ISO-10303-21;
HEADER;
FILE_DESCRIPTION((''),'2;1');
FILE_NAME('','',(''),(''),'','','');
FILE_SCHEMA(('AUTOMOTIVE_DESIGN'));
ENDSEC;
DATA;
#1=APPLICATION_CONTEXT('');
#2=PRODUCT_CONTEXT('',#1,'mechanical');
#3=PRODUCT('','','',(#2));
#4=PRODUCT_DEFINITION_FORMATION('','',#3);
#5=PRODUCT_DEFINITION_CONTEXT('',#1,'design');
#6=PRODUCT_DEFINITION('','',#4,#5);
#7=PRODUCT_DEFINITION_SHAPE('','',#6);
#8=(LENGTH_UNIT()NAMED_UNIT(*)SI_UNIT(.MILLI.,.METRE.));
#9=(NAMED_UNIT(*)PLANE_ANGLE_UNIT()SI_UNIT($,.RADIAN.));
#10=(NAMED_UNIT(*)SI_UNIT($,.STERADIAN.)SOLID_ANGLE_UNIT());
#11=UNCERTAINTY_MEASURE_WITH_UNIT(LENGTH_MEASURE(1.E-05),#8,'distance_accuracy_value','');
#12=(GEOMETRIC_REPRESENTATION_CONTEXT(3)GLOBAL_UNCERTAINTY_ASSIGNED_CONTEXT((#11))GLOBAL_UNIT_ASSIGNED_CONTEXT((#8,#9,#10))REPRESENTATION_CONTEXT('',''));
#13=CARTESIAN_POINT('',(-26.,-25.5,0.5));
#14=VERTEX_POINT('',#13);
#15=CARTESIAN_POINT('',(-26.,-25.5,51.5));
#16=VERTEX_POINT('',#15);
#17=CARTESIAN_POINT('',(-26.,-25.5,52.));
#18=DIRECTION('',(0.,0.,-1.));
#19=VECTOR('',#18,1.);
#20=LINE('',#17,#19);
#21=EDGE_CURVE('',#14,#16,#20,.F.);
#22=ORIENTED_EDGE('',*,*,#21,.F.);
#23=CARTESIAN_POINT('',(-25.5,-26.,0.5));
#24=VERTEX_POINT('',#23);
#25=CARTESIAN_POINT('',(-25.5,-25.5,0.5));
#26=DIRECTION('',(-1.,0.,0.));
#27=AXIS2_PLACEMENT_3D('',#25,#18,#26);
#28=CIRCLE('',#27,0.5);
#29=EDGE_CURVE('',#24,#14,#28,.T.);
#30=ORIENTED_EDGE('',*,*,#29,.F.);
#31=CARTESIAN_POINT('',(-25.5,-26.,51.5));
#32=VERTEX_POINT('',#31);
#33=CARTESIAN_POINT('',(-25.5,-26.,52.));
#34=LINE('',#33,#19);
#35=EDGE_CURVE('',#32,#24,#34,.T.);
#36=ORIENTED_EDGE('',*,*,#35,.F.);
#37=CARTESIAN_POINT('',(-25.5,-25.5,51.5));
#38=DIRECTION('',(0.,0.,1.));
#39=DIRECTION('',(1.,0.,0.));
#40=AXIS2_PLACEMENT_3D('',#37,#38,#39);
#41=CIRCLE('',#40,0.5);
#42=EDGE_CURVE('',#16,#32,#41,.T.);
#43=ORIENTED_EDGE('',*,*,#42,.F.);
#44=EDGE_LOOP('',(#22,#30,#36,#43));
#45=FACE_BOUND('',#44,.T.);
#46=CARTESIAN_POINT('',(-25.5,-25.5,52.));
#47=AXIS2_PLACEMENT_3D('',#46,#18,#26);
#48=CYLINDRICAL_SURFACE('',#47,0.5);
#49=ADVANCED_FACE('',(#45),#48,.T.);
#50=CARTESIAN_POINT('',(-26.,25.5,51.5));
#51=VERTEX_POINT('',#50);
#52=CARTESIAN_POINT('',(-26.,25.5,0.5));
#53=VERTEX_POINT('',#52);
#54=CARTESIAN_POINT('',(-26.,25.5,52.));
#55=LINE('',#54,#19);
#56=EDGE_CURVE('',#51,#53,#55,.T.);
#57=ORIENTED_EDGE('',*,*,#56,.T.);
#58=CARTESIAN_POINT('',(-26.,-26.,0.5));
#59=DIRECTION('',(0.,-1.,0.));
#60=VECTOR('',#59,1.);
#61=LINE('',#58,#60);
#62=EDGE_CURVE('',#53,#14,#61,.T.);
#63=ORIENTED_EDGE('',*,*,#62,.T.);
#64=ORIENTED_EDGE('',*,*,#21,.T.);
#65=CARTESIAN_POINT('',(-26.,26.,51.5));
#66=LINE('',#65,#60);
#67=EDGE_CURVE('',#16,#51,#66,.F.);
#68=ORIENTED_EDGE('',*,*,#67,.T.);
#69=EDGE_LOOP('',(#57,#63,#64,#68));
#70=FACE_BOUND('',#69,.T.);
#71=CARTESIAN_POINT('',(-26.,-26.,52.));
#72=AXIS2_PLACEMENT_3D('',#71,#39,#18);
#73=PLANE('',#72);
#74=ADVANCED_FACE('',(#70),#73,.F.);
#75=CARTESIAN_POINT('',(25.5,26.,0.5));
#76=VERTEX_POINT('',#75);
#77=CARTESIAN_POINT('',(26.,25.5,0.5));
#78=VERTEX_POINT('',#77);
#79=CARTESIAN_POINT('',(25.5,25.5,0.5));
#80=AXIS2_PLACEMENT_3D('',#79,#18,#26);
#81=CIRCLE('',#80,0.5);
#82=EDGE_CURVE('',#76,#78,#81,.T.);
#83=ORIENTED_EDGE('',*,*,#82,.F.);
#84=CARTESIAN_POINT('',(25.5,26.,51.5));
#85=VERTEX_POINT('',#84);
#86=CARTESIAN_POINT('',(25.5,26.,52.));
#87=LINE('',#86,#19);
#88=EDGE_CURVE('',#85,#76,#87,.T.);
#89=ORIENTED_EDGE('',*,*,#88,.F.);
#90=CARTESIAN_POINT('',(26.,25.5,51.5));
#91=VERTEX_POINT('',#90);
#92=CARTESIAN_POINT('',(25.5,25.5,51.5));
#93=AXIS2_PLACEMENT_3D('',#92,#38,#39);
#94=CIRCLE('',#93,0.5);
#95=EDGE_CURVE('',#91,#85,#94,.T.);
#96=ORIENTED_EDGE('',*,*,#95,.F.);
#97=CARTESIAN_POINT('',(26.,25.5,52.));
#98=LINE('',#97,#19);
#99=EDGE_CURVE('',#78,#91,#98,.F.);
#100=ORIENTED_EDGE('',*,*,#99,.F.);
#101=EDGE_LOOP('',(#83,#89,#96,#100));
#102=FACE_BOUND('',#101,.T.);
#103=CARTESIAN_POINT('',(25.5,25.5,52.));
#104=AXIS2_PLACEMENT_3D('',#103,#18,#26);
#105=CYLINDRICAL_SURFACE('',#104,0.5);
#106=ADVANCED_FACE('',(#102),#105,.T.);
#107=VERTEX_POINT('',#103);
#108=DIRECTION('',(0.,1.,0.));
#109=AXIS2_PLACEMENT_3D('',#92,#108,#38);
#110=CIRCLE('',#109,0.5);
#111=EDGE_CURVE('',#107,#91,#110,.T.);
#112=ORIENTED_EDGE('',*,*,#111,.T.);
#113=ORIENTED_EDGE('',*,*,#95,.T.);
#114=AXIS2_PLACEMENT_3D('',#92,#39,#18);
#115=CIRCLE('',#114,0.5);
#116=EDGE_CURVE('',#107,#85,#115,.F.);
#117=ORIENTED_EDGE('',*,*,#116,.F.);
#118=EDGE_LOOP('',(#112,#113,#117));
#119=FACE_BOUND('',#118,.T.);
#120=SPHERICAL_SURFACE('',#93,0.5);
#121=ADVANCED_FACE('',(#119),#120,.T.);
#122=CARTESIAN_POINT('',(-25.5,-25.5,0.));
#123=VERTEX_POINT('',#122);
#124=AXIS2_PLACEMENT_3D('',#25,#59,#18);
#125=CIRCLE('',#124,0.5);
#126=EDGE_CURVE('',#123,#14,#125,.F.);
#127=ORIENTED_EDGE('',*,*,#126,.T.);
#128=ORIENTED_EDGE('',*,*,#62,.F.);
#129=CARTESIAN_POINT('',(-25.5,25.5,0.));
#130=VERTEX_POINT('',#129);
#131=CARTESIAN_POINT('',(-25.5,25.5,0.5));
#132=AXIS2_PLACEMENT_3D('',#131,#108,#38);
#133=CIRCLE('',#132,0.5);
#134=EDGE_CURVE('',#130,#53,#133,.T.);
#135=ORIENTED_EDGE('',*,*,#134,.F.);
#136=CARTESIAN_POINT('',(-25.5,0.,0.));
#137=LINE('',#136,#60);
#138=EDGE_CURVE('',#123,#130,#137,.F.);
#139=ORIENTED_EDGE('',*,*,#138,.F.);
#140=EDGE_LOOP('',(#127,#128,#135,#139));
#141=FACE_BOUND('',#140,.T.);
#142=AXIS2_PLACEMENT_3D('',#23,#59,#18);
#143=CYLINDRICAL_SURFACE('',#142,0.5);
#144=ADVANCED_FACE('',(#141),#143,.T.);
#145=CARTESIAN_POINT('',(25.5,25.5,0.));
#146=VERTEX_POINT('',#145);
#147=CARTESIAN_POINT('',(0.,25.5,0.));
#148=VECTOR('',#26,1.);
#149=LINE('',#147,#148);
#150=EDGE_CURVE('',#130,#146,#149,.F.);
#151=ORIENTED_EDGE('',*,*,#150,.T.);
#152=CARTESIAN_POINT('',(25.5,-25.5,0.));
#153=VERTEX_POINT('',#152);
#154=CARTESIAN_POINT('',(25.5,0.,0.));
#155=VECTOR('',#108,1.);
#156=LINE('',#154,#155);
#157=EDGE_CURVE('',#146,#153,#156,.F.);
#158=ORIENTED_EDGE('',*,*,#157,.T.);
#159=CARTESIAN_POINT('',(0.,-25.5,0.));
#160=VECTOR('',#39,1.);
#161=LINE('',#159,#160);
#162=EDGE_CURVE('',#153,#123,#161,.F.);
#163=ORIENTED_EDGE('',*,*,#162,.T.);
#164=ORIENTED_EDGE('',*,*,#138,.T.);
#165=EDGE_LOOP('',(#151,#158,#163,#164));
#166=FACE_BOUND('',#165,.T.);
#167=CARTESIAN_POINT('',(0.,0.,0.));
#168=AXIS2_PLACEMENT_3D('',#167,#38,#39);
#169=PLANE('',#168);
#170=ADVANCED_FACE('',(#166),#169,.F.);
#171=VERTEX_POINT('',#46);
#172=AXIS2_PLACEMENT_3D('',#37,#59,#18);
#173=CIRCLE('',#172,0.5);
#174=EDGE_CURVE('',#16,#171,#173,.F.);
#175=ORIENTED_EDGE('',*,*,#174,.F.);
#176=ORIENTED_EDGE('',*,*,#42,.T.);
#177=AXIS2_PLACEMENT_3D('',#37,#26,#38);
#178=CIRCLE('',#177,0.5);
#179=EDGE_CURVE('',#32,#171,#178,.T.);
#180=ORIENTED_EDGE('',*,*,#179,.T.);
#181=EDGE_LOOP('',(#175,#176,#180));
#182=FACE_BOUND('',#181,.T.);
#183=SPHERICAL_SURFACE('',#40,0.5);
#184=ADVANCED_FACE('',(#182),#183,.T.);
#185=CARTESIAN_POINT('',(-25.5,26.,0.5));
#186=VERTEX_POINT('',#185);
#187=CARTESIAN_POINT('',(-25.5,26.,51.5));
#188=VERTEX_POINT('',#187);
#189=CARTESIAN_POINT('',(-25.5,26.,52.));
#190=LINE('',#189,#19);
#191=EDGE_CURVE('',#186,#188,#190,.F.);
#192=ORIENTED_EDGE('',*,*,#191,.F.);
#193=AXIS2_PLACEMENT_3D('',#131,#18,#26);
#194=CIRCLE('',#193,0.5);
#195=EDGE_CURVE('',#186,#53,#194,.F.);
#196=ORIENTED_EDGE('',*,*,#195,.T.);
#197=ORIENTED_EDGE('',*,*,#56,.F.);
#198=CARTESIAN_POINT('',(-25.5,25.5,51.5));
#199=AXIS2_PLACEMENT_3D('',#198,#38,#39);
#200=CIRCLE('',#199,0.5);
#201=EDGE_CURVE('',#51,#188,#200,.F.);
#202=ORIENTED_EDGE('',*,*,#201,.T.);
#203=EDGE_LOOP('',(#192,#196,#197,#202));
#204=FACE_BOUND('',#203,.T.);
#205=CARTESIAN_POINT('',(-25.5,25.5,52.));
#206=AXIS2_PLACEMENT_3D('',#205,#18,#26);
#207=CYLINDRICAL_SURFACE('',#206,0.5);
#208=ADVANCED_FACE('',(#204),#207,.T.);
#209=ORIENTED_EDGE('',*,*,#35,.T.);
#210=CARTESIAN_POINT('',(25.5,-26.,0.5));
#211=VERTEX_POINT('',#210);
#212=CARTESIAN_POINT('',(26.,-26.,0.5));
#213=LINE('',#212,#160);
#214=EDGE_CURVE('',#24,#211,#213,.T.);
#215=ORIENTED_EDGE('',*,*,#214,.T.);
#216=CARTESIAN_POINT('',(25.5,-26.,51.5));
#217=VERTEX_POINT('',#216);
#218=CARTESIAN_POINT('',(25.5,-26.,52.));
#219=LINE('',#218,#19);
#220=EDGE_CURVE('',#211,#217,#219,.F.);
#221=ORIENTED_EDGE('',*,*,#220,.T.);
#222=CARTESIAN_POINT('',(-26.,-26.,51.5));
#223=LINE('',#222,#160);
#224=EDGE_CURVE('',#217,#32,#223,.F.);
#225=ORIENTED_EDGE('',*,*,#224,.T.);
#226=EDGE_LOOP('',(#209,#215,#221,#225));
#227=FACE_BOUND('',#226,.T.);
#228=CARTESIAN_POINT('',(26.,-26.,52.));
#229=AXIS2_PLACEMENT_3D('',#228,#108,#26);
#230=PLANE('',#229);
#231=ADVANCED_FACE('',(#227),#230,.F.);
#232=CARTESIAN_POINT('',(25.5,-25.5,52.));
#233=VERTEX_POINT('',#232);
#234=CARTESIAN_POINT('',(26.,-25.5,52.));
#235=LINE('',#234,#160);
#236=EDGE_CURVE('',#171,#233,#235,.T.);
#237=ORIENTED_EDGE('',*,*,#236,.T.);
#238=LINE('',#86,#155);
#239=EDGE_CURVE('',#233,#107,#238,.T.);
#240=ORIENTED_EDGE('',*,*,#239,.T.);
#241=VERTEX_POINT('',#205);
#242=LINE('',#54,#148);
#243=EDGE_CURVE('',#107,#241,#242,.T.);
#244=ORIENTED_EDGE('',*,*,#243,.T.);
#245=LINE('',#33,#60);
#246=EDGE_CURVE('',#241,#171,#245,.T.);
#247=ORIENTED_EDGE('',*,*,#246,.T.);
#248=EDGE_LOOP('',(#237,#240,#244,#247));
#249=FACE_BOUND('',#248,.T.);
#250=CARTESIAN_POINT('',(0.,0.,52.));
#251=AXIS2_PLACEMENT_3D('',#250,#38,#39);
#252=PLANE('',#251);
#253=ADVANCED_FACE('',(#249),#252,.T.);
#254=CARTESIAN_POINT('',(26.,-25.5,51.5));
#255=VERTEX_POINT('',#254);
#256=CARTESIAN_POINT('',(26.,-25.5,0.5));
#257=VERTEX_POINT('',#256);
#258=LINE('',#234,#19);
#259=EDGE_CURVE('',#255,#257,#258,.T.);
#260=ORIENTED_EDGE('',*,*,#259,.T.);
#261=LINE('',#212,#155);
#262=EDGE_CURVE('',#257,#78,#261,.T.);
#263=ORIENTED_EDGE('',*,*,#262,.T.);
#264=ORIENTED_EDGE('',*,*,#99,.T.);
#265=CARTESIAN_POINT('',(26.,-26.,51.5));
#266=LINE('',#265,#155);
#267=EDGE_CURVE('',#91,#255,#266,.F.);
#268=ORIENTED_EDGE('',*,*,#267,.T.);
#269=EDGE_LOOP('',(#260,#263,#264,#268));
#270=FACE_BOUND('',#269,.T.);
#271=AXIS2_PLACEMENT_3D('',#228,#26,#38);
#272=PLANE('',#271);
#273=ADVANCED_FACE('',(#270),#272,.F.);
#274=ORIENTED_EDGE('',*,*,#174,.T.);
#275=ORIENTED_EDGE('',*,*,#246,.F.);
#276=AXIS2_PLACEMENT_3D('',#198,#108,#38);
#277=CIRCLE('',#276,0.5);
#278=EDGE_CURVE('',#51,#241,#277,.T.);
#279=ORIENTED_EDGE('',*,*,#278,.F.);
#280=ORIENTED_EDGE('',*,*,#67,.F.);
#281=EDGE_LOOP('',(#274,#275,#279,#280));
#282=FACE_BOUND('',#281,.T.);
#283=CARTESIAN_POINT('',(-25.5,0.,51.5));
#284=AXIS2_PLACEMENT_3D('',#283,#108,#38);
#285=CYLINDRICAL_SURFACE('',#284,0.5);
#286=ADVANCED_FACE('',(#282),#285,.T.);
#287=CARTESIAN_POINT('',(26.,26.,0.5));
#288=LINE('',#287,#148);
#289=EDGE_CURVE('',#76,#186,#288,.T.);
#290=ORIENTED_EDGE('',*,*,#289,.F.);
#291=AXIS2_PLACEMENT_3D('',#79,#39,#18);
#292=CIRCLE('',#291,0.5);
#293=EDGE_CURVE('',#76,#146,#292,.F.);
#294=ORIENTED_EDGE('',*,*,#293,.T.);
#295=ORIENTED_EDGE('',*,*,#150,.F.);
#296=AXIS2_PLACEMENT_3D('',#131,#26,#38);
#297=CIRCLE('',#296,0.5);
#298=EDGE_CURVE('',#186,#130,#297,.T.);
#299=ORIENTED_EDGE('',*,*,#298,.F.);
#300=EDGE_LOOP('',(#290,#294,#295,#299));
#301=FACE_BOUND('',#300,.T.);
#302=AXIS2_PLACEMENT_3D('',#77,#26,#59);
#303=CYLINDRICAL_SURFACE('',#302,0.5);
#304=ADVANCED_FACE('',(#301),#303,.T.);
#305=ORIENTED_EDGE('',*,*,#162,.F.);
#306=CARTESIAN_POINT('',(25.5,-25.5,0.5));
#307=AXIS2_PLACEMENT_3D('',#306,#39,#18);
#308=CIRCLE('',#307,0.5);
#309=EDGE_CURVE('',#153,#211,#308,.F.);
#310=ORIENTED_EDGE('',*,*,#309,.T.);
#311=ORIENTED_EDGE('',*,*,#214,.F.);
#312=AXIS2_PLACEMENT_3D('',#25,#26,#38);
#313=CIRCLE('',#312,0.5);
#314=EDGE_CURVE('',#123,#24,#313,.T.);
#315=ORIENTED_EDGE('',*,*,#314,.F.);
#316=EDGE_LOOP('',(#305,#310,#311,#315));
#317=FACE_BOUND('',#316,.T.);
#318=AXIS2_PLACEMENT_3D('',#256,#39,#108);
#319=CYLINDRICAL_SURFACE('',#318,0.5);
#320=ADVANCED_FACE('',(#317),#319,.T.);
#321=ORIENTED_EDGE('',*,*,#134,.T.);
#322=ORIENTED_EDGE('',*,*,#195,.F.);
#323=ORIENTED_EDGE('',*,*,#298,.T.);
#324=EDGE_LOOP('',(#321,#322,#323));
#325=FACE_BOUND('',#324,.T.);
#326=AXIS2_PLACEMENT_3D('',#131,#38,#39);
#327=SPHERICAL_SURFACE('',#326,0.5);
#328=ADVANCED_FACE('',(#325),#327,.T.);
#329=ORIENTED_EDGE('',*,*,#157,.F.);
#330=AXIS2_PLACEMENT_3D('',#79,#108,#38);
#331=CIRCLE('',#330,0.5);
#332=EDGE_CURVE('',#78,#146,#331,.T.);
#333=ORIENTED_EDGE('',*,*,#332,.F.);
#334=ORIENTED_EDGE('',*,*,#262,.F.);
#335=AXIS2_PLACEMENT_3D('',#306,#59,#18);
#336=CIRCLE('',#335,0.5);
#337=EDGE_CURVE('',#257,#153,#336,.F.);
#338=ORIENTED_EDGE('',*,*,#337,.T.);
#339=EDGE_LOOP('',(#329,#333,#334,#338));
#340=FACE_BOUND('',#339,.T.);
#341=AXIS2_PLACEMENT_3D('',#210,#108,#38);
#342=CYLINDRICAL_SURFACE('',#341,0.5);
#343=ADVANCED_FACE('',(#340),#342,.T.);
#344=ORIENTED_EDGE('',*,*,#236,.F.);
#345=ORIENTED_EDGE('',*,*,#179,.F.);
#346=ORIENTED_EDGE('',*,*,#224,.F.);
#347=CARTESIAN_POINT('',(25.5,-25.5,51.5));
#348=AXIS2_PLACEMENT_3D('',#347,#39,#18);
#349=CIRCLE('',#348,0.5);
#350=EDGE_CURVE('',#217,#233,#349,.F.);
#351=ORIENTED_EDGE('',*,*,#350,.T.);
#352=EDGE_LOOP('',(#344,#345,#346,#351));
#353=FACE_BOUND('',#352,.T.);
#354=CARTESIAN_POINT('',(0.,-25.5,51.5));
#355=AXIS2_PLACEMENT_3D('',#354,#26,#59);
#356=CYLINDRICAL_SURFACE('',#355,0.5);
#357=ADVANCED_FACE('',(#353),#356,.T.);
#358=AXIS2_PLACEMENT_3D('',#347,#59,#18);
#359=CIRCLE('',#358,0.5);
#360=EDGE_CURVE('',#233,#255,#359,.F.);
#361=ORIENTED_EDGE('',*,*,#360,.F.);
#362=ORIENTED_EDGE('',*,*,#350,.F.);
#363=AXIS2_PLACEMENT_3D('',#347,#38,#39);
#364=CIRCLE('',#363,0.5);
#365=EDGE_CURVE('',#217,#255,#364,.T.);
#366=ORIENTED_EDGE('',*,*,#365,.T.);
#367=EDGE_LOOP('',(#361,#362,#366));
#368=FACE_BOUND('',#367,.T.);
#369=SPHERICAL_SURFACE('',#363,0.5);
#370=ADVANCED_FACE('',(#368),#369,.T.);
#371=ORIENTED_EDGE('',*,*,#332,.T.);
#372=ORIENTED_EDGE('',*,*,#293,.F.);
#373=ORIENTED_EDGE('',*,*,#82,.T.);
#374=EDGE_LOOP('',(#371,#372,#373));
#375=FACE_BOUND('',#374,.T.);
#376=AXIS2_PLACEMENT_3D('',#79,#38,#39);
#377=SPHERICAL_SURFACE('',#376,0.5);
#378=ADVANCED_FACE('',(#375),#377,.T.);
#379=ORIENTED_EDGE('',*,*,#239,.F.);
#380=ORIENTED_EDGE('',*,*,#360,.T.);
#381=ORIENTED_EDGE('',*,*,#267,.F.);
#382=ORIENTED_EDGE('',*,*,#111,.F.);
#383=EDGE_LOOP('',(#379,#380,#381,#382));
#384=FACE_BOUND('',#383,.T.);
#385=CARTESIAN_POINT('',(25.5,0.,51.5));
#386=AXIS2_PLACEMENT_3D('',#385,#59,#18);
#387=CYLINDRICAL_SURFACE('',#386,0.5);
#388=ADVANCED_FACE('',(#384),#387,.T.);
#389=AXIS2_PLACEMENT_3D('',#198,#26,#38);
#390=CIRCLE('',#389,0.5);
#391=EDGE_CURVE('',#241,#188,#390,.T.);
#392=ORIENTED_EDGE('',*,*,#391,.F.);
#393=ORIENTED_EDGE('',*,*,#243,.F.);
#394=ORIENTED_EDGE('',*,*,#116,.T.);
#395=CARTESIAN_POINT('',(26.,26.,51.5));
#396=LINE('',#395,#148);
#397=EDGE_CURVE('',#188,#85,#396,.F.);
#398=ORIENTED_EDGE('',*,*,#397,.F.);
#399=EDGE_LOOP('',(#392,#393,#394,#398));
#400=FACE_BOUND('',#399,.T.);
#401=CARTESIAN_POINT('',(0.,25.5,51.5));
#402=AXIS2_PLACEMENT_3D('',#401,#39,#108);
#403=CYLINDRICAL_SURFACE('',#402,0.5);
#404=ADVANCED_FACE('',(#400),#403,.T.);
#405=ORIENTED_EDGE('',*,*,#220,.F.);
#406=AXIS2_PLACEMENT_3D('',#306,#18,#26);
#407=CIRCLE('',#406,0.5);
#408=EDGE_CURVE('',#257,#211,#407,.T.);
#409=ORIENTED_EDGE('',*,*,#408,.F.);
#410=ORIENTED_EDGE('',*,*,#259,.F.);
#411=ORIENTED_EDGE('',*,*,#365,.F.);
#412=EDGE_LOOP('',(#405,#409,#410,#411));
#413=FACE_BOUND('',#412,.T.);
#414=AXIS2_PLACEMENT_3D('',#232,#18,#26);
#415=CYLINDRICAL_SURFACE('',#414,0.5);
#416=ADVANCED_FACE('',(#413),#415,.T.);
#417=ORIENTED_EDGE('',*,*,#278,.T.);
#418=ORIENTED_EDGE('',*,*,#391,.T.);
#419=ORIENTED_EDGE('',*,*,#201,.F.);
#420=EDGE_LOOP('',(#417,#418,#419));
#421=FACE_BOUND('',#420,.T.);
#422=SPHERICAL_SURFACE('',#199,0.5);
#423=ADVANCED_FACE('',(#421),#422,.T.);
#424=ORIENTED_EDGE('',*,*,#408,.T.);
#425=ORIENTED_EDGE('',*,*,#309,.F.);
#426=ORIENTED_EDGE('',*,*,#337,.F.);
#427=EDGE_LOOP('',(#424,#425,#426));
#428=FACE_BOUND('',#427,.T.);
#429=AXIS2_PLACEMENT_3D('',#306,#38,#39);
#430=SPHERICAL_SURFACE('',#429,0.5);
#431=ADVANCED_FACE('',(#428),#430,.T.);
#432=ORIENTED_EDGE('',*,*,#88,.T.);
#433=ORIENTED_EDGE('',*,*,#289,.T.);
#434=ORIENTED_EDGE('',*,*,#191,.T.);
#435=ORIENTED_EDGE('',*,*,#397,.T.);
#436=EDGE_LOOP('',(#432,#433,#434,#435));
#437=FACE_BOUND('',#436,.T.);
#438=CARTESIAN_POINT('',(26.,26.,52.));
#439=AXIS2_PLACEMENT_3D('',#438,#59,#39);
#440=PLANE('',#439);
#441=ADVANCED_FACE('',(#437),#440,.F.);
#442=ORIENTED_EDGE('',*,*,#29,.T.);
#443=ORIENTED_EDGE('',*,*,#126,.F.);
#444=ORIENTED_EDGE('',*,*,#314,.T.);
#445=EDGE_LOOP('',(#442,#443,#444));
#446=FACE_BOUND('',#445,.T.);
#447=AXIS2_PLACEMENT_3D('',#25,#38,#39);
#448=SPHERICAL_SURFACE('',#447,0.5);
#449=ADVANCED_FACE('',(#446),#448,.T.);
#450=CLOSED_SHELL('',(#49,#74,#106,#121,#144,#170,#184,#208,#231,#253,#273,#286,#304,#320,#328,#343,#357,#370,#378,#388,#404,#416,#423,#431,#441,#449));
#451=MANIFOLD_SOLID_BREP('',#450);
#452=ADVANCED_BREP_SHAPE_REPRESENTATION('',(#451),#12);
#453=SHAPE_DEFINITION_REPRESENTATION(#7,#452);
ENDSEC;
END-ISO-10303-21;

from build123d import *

# Parameters (mm, degrees)
SKETCH_1_W      = 52
SKETCH_1_H      = 52
EXTRUDE_1_DEPTH = 52
FILLET_1_R      = 0.5


with BuildPart() as part:
    # 草图1 → 凸台-拉伸1 (new body)
    with BuildSketch(Plane.XY):
        Rectangle(SKETCH_1_W, SKETCH_1_H)
    extrude(amount=EXTRUDE_1_DEPTH)

    # 圆角1
    fillet_1_edges = [part.edges().sort_by_distance(p)[0] for p in [
        (26, 0, 52),
        (0, 26, 52),
        (-26, 0, 52),
        (0, 26, 0),
        (26, 0, 0),
        (0, -26, 0),
        (-26, 0, 0),
        (0, -26, 52),
        (-26, 26, 26),
        (26, 26, 26),
        (26, -26, 26),
        (-26, -26, 26),
    ]]
    fillet(fillet_1_edges, radius=FILLET_1_R)


solid = part.part
